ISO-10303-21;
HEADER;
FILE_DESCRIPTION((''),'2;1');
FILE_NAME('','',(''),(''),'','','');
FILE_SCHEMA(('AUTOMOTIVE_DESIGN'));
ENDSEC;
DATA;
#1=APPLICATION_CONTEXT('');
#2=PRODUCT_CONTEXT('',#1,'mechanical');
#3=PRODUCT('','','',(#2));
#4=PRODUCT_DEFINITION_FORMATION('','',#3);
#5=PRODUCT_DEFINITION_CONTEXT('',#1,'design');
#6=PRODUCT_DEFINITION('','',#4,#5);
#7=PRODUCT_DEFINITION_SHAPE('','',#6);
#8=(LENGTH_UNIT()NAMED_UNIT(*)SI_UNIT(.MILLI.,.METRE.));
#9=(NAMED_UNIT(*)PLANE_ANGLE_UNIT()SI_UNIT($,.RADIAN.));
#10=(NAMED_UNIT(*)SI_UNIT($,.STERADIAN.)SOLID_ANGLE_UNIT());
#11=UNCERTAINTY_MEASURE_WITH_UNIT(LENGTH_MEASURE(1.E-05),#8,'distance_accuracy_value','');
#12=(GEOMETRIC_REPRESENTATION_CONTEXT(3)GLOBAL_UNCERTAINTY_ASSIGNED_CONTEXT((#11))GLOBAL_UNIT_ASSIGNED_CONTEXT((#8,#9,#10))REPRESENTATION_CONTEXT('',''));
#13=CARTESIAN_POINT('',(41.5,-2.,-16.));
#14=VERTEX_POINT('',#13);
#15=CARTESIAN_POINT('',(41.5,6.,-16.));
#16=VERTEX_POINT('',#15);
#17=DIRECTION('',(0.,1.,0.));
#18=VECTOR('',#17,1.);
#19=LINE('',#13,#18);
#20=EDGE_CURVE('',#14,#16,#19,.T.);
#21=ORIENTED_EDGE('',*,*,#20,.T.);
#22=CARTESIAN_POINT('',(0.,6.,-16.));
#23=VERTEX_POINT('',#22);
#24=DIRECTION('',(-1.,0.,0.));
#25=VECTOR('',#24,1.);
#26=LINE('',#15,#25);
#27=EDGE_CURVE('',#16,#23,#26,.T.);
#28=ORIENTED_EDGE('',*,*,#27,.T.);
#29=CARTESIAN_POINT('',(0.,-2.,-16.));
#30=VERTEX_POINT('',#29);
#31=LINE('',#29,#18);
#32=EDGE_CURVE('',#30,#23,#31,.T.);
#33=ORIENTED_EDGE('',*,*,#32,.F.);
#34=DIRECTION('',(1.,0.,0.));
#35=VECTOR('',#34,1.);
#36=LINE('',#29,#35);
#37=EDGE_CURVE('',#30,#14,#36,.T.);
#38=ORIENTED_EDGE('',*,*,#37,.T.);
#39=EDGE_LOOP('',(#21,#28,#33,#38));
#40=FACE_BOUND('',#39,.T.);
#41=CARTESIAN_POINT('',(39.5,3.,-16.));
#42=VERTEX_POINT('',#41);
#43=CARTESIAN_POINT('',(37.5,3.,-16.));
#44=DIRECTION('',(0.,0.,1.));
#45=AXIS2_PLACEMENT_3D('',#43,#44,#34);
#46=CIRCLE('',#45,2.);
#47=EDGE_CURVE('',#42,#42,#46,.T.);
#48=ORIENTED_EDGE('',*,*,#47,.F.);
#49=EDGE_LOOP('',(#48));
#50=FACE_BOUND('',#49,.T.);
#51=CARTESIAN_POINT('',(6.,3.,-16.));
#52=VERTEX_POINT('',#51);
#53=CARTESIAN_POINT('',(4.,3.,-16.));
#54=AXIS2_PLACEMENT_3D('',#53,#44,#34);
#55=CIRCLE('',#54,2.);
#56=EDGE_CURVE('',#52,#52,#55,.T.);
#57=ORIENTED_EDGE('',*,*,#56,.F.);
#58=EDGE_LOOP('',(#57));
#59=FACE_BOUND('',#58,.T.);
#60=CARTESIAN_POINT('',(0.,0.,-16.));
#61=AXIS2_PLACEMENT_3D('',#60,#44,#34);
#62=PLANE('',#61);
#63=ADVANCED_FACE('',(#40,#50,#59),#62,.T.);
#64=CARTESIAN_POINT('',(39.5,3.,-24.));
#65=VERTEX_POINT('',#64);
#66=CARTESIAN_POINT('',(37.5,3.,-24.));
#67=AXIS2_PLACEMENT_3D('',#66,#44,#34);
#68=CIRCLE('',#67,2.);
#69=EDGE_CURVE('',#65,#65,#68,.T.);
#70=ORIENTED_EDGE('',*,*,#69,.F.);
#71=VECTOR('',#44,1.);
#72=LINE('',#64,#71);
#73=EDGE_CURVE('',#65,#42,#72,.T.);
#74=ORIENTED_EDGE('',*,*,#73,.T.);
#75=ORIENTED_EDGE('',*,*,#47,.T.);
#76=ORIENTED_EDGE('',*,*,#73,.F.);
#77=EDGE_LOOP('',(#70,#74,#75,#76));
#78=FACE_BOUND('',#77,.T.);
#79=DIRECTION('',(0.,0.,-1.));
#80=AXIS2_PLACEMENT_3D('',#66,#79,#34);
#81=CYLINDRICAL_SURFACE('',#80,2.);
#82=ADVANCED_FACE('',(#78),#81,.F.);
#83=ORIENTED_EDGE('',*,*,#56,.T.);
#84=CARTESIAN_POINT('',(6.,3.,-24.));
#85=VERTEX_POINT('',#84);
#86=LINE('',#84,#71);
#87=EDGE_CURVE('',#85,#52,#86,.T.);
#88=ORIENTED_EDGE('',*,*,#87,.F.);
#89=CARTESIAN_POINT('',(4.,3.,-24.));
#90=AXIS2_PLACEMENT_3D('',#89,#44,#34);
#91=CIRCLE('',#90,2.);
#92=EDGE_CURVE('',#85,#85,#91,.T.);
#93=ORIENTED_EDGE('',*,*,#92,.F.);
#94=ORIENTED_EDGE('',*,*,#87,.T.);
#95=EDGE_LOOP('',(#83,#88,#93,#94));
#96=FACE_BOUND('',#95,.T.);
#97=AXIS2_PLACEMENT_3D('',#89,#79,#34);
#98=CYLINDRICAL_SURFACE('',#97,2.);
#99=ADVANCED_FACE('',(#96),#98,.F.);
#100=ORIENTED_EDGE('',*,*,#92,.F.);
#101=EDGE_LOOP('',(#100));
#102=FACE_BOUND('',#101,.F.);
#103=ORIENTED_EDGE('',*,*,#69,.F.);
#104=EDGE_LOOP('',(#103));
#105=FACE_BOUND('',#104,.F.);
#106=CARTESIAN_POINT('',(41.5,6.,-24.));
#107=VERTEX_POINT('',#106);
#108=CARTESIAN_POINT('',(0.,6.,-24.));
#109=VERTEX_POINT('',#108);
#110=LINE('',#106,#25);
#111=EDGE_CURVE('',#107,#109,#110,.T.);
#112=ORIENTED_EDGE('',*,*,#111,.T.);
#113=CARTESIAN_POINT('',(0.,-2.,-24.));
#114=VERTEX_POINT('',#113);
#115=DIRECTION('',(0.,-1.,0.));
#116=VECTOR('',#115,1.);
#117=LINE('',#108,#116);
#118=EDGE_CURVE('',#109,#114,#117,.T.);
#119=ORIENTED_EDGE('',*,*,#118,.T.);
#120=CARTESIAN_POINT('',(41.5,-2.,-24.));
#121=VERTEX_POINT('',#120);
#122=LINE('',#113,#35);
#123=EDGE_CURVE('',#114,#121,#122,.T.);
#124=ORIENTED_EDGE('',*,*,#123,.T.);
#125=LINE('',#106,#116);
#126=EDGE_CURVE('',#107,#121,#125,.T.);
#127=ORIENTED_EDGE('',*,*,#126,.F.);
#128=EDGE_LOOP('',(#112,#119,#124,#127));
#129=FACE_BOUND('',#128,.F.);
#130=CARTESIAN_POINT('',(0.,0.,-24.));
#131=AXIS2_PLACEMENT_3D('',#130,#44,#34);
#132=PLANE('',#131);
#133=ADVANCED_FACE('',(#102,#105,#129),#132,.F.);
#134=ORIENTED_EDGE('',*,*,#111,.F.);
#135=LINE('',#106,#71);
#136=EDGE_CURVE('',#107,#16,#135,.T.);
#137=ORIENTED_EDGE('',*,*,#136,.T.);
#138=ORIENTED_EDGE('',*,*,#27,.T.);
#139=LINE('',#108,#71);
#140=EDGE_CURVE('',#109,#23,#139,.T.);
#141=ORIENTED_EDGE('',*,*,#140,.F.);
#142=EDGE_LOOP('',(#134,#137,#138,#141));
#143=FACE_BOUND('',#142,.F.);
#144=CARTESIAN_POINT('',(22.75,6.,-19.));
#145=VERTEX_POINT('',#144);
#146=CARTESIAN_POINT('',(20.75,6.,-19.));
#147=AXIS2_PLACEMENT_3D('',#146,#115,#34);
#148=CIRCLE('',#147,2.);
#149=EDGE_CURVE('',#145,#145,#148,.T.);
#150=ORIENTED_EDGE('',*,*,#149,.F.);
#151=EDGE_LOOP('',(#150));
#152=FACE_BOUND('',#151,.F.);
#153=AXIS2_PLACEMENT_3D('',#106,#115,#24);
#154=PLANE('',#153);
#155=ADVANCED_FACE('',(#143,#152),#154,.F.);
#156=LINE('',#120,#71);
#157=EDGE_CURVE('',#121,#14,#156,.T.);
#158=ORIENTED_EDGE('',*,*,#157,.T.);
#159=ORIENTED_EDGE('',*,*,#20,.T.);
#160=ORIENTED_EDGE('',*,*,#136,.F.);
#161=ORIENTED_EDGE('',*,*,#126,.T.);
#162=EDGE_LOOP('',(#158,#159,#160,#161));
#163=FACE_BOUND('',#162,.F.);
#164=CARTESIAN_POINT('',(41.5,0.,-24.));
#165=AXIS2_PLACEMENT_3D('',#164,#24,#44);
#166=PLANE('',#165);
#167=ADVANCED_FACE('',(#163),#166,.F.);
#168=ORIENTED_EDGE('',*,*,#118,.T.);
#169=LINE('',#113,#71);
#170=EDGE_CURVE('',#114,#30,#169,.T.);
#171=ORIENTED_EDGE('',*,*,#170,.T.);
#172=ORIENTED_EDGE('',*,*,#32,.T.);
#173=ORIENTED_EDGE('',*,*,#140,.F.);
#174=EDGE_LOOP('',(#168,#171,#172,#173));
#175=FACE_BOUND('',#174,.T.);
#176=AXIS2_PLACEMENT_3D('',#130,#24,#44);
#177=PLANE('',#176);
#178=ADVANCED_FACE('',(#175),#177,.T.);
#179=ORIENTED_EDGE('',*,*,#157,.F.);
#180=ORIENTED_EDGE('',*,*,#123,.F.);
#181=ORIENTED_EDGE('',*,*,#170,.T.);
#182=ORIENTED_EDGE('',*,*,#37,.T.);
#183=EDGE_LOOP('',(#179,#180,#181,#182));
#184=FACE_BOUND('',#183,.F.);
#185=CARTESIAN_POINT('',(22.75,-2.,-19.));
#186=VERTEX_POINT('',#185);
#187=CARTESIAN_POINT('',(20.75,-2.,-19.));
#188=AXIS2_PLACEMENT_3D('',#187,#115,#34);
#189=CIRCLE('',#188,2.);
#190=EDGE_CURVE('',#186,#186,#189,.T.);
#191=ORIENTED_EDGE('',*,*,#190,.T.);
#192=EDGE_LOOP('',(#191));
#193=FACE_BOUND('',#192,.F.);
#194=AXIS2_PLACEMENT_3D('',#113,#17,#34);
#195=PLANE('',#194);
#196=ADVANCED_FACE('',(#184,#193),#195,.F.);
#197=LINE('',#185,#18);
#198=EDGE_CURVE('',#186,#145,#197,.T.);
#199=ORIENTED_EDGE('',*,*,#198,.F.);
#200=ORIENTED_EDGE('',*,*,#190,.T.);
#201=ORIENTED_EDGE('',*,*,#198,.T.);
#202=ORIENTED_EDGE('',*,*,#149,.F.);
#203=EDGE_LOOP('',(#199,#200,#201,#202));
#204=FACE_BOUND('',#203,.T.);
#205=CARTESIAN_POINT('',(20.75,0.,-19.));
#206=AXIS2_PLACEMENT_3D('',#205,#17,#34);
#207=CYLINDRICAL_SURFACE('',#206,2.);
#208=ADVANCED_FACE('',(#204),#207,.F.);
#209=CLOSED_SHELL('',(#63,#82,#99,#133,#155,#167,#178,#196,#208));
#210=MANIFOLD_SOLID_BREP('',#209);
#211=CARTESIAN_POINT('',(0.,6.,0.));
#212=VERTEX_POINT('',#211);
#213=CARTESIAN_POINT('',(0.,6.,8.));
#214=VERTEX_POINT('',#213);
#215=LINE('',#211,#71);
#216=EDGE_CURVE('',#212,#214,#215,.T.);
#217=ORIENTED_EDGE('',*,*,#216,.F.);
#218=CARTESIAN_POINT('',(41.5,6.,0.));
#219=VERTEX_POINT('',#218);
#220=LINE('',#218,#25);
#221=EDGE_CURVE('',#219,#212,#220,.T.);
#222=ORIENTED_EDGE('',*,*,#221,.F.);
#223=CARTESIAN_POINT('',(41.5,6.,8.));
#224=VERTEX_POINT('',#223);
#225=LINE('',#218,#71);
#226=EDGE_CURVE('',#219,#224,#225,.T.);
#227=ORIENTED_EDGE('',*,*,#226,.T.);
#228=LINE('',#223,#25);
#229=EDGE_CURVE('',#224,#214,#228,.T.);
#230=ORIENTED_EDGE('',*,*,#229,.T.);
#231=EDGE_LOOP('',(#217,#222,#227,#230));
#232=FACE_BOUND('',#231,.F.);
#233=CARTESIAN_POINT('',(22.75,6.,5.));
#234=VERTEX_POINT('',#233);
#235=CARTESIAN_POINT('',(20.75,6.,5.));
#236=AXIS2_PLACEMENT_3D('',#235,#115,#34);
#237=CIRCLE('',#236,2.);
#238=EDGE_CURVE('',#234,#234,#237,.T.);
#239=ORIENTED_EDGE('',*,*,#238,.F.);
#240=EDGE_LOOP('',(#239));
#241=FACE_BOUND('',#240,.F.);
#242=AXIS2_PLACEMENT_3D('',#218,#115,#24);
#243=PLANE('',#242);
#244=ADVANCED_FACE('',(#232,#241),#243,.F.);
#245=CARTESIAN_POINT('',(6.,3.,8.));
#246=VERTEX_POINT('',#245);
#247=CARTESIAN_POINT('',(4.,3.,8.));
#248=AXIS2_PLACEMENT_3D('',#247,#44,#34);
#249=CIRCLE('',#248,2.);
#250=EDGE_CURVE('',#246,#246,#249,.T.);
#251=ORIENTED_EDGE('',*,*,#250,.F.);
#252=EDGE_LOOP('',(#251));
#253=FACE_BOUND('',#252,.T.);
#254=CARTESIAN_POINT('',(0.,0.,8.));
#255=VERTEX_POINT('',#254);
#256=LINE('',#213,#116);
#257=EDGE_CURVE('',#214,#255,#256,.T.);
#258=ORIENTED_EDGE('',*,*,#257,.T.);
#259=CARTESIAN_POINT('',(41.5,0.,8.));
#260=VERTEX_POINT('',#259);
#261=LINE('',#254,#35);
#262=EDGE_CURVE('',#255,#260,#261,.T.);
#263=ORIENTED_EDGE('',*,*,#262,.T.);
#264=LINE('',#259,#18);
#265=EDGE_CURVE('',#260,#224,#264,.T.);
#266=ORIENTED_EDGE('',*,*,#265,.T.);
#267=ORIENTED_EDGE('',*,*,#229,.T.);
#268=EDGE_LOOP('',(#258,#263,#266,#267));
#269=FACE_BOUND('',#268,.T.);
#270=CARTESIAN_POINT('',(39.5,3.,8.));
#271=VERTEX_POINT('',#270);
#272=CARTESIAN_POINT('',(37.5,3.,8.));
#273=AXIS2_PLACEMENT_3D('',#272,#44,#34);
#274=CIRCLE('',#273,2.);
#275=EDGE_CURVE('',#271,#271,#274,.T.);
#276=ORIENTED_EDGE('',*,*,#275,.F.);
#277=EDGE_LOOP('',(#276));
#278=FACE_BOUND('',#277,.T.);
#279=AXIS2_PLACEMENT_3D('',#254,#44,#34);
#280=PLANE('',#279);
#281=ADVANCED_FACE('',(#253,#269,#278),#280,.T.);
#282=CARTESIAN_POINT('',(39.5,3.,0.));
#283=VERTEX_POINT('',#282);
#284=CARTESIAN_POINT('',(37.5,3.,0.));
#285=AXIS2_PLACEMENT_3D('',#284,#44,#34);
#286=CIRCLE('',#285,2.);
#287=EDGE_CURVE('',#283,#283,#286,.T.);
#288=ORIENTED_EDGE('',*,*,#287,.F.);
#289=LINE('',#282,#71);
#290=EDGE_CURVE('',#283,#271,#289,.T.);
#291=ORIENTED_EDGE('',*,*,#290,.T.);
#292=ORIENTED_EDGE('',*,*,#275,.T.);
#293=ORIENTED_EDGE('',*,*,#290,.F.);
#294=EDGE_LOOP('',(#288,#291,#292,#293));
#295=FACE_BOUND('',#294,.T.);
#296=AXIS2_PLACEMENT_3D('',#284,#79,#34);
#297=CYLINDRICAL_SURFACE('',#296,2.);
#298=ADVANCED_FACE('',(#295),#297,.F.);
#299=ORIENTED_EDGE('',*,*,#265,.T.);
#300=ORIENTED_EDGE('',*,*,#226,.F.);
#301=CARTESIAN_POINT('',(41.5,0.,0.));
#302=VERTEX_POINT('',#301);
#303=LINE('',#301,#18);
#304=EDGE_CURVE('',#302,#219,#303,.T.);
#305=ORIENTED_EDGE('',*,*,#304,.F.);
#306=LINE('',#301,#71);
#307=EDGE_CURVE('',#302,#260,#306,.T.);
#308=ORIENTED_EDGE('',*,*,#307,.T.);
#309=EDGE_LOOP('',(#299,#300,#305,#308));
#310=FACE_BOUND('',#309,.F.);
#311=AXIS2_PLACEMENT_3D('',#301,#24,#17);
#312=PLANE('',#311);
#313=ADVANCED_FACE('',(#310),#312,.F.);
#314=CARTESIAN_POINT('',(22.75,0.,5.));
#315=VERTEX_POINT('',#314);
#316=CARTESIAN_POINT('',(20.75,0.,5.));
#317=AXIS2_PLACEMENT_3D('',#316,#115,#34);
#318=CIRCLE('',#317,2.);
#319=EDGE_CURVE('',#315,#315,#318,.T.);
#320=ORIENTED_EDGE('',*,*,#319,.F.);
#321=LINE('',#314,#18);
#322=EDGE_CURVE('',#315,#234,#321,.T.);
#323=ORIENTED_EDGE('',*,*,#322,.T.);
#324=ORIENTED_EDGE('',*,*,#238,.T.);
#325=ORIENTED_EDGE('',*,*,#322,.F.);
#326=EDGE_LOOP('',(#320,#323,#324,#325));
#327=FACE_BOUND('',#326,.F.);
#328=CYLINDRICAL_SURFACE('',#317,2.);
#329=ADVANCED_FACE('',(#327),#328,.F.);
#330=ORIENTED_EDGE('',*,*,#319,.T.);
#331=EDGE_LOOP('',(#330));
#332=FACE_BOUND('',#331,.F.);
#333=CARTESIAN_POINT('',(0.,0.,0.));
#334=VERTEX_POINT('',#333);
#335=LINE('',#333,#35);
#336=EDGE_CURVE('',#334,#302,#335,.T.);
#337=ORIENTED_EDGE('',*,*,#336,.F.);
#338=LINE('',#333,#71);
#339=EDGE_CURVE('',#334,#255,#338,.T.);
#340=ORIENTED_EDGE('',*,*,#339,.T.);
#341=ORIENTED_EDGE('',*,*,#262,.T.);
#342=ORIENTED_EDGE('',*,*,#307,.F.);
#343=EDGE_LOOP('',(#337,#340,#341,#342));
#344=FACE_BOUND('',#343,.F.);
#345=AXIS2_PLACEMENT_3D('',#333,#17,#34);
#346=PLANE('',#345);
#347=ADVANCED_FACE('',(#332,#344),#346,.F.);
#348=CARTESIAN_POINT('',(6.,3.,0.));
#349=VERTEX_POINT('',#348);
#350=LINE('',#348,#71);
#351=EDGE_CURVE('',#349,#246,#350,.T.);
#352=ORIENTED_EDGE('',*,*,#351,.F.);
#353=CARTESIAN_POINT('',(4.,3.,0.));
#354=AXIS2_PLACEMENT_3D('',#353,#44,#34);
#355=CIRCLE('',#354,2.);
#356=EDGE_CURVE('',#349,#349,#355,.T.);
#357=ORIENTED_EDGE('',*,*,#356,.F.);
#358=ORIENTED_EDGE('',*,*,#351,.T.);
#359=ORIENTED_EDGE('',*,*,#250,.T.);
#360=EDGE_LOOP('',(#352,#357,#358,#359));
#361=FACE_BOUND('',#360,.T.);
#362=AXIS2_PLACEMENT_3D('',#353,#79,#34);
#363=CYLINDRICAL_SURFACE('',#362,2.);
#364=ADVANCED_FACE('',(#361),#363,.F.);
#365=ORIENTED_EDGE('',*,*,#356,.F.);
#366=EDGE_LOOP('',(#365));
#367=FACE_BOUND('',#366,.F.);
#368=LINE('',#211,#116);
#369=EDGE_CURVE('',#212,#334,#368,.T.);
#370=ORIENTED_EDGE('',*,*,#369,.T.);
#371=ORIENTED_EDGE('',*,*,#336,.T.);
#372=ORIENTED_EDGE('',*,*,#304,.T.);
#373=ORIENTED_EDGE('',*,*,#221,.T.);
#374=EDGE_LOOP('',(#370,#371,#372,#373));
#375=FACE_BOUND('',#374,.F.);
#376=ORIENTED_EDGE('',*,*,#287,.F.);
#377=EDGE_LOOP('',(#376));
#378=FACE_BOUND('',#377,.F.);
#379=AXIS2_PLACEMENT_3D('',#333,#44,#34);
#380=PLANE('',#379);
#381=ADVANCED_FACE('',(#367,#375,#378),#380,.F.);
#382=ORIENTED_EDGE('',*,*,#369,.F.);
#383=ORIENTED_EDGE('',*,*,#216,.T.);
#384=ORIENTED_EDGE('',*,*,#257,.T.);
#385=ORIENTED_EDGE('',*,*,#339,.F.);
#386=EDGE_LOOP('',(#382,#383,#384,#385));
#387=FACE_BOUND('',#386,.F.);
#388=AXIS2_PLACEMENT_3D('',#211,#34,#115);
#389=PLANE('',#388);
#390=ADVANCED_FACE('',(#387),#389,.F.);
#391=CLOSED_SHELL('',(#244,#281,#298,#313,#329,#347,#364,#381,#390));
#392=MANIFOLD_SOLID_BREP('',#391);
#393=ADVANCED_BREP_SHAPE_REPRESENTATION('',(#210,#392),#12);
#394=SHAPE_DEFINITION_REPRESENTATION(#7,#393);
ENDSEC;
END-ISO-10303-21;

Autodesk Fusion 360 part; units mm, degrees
sketch "Sketch1" plane through (0, 0, 0) normal (0, 0, 1) x (1, 0, 0) in component "czniki podstawy z pokryw"
  line L0 (0, 0) -> (41.5, 0)
  line L1 (41.5, 0) -> (41.5, 6)
  line L2 (41.5, 6) -> (0, 6)
  line L3 (0, 6) -> (0, 0)
  line L4 (0, 3) -> (41.5, 3) construction
  circle A0 centre (4, 3) radius 2
  circle A1 centre (37.5, 3) radius 2
  dimension "d1" = 4
  dimension "d2" = 4
  dimension "d3" = 33.5
  dimension "d4" = 4
  dimension "d5" = 4
  dimension "d6" = 3
extrude "Extrude1" add sketch "Sketch1" along normal blind 8 makes body 1 in component "czniki podstawy z pokryw"
sketch "Sketch2" plane through (0, 0, 0) normal (0, -1, 0) x (1, 0, 0) in component "czniki podstawy z pokryw"
  line L0 (0, 0) -> (41.5, 0)
  line L1 (41.5, 0) -> (41.5, 8)
  line L2 (41.5, 8) -> (0, 8)
  line L3 (0, 8) -> (0, 0)
  line L4 (20.75, 0) -> (20.75, 8) construction
  circle A0 centre (20.75, 5) radius 2
  dimension "d9" = 4
  dimension "d10" = 5
extrude "Extrude2" cut sketch "Sketch2" against normal blind 6 contours A0 bodies 1 in component "czniki podstawy z pokryw"
sketch "Sketch1 (2)" plane through (0, 0, 0) normal (0, 0, 1) x (1, 0, 0) in component "czniki podstawy z pokryw dlurzszy"
  line L0 (0, 0) -> (41.5, 0)
  line L1 (41.5, 0) -> (41.5, 6)
  line L2 (41.5, 6) -> (0, 6)
  line L3 (0, 6) -> (0, 0)
  line L4 (0, 3) -> (41.5, 3) construction
  circle A0 centre (4, 3) radius 2
  circle A1 centre (37.5, 3) radius 2
  dimension "d1_1" = 4
  dimension "d2_1" = 4
  dimension "d3_1" = 33.5
  dimension "d4_1" = 4
  dimension "d5_1" = 4
  dimension "d6_1" = 3
extrude "Extrude1'" add sketch "Sketch1 (2)" along normal blind 8 separate body makes body 2 in component "czniki podstawy z pokryw dlurzszy"
sketch "Sketch2 (2)" plane through (0, 0, 0) normal (0, -1, 0) x (1, 0, 0) in component "czniki podstawy z pokryw dlurzszy"
  line L0 (0, 0) -> (41.5, 0)
  line L1 (41.5, 0) -> (41.5, 8)
  line L2 (41.5, 8) -> (0, 8)
  line L3 (0, 8) -> (0, 0)
  line L4 (20.75, 0) -> (20.75, 8) construction
  circle A0 centre (20.75, 5) radius 2
  dimension "d9_1" = 4
  dimension "d10_1" = 5
extrude "Extrude2'" cut sketch "Sketch2 (2)" against normal blind 6 contours A0 bodies 2 in component "czniki podstawy z pokryw dlurzszy"
extrude "Extrude3" add 1 faces at (6.2574, 0, 4.234) along direction (0, -1, 0) blind 2 on bodies 2 bodies 2 in component "czniki podstawy z pokryw dlurzszy"
component "czniki podstawy z pokryw" placed x (1, 0, 0) y (0, 1, 0) z (0, 0, 1) at (0, 0, 0)
component "czniki podstawy z pokryw dlurzszy" placed x (1, 0, 0) y (0, 1, 0) z (0, 0, 1) at (0, 0, -24)
